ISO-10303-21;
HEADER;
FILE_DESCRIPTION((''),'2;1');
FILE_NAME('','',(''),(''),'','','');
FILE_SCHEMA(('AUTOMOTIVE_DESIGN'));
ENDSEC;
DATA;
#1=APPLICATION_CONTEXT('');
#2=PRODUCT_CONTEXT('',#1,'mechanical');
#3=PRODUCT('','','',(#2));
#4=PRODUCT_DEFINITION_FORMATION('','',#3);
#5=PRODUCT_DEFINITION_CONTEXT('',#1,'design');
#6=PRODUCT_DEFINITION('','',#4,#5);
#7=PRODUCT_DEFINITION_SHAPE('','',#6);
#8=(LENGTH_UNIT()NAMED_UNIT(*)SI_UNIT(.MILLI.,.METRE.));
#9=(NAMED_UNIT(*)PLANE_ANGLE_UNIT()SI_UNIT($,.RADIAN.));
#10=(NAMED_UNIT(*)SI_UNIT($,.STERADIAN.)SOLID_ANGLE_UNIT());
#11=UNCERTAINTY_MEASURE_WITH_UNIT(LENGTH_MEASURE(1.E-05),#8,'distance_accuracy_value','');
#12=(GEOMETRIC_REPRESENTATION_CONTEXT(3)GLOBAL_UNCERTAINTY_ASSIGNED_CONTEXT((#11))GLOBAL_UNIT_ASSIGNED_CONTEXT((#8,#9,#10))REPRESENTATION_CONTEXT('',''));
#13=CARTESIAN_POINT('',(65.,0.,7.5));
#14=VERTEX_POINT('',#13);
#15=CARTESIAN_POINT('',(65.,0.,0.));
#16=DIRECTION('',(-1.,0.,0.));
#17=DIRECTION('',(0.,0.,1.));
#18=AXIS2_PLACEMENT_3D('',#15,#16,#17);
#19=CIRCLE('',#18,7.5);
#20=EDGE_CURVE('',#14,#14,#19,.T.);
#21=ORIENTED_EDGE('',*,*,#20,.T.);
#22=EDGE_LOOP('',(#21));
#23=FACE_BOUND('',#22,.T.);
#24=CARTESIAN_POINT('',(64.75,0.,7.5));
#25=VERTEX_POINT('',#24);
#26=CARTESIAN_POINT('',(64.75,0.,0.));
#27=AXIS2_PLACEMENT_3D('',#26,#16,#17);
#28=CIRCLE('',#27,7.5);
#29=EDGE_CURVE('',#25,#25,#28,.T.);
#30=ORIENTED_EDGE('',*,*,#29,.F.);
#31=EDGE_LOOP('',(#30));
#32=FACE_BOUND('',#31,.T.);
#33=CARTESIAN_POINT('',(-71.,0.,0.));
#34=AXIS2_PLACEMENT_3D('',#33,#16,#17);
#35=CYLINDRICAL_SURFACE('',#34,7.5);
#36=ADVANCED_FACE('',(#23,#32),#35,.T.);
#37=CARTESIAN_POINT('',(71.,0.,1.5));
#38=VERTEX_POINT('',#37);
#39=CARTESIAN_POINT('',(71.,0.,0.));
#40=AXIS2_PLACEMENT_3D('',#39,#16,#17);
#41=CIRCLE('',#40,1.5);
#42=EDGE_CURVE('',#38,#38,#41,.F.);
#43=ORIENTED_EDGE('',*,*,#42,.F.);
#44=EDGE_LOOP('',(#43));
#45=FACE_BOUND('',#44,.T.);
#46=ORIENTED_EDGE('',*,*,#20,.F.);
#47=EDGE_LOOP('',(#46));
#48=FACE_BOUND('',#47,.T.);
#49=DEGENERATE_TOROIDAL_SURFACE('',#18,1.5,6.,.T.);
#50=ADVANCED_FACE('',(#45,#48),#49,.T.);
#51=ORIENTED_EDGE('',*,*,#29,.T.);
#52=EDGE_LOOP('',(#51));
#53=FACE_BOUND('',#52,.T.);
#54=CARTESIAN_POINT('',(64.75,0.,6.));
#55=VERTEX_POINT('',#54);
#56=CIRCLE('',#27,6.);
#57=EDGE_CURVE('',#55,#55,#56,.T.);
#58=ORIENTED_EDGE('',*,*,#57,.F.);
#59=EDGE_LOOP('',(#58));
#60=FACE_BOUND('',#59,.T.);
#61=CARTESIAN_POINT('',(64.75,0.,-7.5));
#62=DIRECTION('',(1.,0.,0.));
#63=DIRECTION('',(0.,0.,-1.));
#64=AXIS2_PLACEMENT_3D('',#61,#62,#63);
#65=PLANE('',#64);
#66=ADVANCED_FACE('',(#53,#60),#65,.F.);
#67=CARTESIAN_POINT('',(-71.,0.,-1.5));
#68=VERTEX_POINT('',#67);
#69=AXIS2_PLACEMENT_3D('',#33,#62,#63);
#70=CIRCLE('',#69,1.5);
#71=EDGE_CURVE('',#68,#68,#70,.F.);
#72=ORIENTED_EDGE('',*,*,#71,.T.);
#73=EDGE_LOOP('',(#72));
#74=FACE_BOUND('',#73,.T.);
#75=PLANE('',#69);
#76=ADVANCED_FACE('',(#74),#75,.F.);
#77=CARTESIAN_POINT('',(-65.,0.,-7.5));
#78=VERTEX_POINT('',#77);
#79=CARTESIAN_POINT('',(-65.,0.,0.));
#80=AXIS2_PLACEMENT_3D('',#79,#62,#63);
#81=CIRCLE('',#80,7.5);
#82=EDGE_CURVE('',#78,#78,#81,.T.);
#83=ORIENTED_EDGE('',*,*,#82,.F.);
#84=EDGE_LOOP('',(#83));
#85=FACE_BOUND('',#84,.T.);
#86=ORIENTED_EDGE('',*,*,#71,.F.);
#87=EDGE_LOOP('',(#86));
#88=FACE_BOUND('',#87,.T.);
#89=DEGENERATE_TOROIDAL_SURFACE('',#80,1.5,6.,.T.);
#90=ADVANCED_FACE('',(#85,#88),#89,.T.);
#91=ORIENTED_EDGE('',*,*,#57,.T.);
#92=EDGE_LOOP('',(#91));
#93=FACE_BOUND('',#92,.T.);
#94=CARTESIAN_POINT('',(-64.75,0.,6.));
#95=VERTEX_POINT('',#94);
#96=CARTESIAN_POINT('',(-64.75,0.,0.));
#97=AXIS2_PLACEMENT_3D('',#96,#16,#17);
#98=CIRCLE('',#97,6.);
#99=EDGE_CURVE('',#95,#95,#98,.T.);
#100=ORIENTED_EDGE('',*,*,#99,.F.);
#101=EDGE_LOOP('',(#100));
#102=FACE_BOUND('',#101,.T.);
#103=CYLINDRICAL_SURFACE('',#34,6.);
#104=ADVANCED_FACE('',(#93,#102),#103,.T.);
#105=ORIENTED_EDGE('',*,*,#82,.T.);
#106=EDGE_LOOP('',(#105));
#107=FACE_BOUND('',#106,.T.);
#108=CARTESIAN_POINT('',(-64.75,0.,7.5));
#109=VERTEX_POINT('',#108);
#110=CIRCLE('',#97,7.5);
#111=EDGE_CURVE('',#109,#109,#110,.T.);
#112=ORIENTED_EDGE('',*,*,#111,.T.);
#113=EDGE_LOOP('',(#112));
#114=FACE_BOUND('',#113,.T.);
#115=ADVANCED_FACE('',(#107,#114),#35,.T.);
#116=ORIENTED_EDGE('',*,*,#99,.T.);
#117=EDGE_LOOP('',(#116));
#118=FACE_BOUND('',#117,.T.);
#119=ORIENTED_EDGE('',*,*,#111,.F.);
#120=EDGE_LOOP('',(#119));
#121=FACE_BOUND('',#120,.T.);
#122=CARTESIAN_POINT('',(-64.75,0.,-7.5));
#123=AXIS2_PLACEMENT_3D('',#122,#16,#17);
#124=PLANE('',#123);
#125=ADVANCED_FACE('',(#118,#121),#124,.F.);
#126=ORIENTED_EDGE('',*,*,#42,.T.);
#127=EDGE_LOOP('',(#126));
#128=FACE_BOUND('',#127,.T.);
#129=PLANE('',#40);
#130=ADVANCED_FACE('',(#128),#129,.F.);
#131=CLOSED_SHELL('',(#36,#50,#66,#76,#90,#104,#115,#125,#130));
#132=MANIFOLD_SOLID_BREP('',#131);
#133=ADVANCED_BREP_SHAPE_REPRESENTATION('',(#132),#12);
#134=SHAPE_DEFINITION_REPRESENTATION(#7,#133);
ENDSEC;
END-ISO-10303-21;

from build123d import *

# Parameters (mm, degrees)
FILLET1_R = 6


with BuildPart() as part:
    # Sketch1 → Revolve1 (revolve)
    with BuildSketch(Plane(origin=(0, 0, 0), x_dir=(1, 0, 0), z_dir=(0, 1, 0))):
        Polygon((-71, 0), (-71, 7.5), (-64.75, 7.5), (-64.75, 6), (64.75, 6), (64.75, 7.5), (71, 7.5), (71, 0), align=None)
    revolve(axis=Axis((-71, 0, 0), (1, 0, 0)))

    # Fillet1
    fillet1_edges = [part.edges().sort_by_distance(p)[0] for p in [
        (-71, 0, 7.5),
        (71, 0, 7.5),
    ]]
    fillet(fillet1_edges, radius=FILLET1_R)


solid = part.part
